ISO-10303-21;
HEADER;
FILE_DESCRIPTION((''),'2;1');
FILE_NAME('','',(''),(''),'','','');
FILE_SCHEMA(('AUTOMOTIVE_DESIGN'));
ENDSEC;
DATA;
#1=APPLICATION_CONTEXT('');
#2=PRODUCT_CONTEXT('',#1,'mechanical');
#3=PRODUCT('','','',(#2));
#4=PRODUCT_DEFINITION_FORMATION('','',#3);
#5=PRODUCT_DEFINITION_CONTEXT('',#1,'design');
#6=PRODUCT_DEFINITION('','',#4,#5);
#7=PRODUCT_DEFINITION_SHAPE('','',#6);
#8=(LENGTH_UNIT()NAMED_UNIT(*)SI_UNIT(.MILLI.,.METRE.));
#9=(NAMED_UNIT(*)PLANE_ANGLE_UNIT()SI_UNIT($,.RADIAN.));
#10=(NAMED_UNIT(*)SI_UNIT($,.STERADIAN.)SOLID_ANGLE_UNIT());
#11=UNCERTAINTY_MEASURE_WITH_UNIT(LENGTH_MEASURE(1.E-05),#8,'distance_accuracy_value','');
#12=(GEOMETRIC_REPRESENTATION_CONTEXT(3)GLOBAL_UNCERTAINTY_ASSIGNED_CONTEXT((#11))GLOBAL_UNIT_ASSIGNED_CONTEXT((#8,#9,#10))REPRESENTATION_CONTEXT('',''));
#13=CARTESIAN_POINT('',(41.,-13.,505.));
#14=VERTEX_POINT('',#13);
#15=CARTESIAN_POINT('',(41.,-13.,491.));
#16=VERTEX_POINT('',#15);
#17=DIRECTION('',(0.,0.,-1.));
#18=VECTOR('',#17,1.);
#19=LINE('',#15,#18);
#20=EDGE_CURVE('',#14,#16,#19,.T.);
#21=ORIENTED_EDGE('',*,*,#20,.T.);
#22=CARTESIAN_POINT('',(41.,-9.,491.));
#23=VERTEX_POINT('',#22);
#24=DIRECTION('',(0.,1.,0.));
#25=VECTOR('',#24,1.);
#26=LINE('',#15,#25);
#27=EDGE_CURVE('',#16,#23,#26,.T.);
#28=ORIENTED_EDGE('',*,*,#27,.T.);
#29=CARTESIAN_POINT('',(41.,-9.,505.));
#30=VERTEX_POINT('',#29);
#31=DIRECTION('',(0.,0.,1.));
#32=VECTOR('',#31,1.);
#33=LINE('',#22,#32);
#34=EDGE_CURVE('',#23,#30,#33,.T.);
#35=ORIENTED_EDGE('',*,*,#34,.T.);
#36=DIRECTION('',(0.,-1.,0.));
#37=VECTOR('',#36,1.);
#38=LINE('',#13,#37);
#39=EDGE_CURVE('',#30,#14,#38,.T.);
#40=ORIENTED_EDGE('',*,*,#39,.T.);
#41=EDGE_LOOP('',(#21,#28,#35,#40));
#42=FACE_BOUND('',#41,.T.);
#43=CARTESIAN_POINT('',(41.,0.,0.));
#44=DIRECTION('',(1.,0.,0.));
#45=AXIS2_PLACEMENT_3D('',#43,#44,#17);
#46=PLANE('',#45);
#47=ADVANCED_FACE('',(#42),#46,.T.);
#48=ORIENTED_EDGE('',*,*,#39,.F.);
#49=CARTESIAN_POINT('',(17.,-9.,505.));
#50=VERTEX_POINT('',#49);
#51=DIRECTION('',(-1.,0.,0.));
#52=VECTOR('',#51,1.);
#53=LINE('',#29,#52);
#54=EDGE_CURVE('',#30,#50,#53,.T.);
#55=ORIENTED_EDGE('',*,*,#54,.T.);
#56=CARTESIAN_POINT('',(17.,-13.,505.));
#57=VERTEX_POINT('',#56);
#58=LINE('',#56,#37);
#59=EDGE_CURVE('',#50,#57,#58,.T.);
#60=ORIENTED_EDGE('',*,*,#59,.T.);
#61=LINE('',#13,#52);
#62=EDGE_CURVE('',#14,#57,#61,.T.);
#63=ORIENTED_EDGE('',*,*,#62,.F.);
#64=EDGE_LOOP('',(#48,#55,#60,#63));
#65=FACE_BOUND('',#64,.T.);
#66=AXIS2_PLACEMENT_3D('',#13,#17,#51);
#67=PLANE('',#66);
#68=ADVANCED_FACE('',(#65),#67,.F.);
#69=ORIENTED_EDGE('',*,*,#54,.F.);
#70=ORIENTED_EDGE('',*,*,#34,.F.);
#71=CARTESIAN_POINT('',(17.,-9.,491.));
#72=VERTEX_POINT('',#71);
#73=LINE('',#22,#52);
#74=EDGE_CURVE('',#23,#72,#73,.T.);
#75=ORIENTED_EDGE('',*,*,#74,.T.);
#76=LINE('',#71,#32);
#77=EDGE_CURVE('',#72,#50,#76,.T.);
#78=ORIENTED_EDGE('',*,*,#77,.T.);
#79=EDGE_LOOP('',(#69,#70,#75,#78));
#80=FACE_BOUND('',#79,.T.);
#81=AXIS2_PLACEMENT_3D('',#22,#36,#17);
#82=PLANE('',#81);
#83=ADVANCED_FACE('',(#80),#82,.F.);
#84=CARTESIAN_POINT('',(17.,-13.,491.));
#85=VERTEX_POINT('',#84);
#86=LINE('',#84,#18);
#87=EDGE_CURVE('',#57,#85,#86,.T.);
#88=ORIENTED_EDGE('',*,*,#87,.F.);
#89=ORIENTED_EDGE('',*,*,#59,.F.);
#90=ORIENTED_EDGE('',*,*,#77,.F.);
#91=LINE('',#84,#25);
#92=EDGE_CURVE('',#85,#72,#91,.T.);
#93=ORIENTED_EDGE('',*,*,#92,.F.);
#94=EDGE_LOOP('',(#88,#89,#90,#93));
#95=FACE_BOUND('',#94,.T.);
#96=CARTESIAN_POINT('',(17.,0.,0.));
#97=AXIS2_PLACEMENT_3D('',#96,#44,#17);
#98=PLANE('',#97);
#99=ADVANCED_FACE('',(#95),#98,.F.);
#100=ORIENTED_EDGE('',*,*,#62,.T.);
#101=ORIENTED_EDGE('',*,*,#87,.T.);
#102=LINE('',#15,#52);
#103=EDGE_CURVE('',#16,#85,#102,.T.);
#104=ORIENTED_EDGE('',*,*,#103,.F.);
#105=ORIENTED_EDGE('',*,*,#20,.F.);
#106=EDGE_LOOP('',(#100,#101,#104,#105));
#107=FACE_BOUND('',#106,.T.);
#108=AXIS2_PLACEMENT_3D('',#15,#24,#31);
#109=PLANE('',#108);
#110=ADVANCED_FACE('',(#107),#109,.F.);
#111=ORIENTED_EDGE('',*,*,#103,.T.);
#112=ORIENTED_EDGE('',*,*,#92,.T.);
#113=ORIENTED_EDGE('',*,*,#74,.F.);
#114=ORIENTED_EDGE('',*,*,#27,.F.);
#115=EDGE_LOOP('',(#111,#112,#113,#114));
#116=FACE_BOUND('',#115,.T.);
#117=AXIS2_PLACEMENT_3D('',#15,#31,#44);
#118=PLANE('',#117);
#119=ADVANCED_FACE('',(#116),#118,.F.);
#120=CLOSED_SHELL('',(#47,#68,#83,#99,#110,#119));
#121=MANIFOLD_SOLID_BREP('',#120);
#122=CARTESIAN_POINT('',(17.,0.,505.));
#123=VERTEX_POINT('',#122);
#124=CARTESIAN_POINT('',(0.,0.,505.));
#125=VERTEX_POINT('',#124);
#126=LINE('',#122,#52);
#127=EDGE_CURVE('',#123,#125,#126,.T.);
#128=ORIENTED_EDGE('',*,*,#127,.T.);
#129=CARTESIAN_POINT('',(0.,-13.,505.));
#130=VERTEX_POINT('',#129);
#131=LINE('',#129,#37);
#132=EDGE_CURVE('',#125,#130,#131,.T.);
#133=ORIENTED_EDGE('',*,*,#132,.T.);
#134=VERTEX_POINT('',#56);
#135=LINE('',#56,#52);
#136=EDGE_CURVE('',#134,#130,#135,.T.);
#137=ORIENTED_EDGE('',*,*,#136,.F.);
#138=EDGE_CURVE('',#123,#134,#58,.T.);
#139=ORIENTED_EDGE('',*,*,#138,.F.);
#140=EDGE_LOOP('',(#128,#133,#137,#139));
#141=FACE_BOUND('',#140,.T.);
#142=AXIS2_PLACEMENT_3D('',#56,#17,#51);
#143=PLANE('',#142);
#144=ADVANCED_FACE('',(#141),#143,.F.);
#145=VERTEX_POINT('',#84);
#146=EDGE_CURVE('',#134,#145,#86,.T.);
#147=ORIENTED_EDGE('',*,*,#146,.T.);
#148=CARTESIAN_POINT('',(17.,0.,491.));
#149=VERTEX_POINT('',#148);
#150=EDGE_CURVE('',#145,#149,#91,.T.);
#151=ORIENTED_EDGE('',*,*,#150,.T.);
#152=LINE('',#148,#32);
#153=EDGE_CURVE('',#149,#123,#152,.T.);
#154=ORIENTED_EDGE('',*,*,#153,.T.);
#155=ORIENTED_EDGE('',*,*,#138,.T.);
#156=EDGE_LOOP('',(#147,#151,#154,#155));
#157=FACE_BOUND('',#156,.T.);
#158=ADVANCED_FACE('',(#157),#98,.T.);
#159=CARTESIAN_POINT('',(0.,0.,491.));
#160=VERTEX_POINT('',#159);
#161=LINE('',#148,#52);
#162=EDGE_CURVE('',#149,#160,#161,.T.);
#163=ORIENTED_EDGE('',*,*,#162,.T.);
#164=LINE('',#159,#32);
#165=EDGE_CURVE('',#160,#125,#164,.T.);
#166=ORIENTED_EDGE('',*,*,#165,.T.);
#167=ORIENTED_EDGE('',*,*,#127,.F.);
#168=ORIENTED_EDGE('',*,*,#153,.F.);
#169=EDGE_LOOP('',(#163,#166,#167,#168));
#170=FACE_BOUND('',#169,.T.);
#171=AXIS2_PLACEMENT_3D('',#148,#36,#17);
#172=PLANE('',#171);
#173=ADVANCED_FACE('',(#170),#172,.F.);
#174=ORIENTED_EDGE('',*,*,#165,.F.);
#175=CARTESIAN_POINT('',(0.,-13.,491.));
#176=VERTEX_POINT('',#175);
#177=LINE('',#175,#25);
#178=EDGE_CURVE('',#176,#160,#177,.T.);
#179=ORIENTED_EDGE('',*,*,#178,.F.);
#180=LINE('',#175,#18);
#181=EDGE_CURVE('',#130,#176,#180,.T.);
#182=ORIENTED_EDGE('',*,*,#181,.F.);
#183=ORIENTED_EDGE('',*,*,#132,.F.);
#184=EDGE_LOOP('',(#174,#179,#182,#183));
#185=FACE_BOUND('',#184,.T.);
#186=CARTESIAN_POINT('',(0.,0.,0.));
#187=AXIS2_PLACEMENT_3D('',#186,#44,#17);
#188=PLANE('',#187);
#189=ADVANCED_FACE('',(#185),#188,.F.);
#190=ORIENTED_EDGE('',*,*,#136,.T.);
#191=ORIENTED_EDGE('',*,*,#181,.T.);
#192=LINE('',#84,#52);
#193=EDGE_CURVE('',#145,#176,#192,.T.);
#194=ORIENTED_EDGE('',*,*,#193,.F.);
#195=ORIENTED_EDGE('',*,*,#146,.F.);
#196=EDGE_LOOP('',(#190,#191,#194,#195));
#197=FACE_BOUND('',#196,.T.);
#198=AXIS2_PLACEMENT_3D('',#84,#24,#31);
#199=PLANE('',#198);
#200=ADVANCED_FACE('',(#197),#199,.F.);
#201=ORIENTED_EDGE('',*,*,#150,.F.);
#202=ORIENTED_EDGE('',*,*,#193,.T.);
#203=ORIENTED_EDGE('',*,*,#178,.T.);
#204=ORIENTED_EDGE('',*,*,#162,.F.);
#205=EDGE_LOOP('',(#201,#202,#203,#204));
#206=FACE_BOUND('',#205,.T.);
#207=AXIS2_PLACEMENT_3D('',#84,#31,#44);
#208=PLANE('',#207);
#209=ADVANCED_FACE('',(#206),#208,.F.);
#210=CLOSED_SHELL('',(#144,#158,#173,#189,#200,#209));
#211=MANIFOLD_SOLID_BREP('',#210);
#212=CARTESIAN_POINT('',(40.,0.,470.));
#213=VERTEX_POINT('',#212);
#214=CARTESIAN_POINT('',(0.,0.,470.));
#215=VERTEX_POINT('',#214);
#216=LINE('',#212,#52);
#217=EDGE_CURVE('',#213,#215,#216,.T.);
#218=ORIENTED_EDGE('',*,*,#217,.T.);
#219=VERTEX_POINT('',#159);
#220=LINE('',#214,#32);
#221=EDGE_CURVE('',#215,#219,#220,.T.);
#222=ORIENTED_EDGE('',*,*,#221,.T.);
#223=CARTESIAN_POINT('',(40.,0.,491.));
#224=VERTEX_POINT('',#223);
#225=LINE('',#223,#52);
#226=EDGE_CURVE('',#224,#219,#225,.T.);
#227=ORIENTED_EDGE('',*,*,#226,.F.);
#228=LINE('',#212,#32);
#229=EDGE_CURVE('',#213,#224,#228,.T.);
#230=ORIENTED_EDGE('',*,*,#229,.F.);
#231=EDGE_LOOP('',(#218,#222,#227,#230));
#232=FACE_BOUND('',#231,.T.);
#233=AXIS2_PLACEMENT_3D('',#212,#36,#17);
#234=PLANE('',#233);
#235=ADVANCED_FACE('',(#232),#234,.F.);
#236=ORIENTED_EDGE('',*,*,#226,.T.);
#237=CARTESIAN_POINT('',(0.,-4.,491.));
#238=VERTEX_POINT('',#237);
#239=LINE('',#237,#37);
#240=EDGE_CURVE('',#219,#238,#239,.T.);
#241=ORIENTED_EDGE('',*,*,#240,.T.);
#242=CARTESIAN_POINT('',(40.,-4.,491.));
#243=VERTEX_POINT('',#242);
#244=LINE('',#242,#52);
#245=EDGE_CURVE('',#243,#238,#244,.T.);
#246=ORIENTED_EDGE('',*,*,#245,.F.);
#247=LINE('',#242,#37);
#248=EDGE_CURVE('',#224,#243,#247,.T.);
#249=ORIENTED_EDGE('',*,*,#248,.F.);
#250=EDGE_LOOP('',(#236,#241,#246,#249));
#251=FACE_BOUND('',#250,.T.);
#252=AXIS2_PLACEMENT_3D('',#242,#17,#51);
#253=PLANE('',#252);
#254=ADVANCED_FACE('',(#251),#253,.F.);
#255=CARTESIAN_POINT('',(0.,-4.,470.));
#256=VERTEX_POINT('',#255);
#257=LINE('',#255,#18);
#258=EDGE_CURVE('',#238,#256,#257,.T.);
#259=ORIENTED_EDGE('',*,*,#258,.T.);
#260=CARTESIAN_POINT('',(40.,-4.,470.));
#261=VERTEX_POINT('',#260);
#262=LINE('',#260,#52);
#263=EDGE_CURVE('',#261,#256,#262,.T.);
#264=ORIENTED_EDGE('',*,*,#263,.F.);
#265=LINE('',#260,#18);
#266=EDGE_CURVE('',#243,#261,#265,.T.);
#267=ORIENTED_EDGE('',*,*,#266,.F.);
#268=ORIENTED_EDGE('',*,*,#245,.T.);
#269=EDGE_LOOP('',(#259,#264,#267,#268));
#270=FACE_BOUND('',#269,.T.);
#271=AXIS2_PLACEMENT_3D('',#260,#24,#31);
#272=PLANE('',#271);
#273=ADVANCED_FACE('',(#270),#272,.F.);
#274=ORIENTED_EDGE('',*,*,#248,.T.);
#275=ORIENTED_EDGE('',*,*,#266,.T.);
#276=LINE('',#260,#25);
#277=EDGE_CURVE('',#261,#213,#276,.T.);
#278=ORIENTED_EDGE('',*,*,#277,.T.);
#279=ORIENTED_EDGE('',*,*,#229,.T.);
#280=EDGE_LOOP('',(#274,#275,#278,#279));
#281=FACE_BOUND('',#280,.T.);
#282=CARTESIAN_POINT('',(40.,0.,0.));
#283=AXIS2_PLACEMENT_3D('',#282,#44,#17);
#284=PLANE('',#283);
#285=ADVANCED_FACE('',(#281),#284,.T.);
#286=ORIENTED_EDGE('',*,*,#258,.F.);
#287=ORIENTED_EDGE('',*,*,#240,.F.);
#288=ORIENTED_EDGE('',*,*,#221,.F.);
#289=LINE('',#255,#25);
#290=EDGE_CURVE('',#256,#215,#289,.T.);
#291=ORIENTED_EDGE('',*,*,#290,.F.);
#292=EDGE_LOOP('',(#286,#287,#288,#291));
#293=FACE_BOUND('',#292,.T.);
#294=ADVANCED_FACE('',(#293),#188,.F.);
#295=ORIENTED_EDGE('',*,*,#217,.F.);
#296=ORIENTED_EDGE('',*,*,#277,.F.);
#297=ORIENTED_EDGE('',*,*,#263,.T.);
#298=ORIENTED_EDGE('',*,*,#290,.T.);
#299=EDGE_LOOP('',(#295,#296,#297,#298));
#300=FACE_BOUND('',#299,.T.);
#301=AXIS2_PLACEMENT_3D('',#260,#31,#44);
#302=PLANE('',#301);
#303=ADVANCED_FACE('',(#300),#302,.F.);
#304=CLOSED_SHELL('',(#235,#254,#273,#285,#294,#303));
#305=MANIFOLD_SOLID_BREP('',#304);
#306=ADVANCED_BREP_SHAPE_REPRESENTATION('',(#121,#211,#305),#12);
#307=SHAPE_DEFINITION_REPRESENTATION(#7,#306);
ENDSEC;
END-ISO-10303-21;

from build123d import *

# Parameters (mm, degrees)
ANCHOR_PLATE_START = 17
SKETCH1_W          = 14
SKETCH1_H          = 4
ANCHOR_PLATE_DEPTH = 24
SKETCH2_W          = 14
SKETCH2_H          = 13
COLUMN_DEPTH       = 17
SKETCH3_W          = 21
SKETCH3_H          = 4
FOOT_DEPTH         = 40


with BuildPart() as part:
    # Sketch1 → anchor_plate (new body)
    with BuildSketch(Plane(origin=(0, 0, 0), x_dir=(0, 0, -1), z_dir=(1, 0, 0)).offset(ANCHOR_PLATE_START)):
        with Locations((-498, -11)):
            Rectangle(SKETCH1_W, SKETCH1_H)
    extrude(amount=ANCHOR_PLATE_DEPTH)


with BuildPart() as body_2:
    # Sketch2 → column (new body)
    with BuildSketch(Plane(origin=(0, 0, 0), x_dir=(0, 0, -1), z_dir=(1, 0, 0))):
        with Locations((-498, -6.5)):
            Rectangle(SKETCH2_W, SKETCH2_H)
    extrude(amount=COLUMN_DEPTH)


with BuildPart() as body_3:
    # Sketch3 → foot (new body)
    with BuildSketch(Plane(origin=(0, 0, 0), x_dir=(0, 0, -1), z_dir=(1, 0, 0))):
        with Locations((-480.5, -2)):
            Rectangle(SKETCH3_W, SKETCH3_H)
    extrude(amount=FOOT_DEPTH)


solid = Compound([part.part, body_2.part, body_3.part])
